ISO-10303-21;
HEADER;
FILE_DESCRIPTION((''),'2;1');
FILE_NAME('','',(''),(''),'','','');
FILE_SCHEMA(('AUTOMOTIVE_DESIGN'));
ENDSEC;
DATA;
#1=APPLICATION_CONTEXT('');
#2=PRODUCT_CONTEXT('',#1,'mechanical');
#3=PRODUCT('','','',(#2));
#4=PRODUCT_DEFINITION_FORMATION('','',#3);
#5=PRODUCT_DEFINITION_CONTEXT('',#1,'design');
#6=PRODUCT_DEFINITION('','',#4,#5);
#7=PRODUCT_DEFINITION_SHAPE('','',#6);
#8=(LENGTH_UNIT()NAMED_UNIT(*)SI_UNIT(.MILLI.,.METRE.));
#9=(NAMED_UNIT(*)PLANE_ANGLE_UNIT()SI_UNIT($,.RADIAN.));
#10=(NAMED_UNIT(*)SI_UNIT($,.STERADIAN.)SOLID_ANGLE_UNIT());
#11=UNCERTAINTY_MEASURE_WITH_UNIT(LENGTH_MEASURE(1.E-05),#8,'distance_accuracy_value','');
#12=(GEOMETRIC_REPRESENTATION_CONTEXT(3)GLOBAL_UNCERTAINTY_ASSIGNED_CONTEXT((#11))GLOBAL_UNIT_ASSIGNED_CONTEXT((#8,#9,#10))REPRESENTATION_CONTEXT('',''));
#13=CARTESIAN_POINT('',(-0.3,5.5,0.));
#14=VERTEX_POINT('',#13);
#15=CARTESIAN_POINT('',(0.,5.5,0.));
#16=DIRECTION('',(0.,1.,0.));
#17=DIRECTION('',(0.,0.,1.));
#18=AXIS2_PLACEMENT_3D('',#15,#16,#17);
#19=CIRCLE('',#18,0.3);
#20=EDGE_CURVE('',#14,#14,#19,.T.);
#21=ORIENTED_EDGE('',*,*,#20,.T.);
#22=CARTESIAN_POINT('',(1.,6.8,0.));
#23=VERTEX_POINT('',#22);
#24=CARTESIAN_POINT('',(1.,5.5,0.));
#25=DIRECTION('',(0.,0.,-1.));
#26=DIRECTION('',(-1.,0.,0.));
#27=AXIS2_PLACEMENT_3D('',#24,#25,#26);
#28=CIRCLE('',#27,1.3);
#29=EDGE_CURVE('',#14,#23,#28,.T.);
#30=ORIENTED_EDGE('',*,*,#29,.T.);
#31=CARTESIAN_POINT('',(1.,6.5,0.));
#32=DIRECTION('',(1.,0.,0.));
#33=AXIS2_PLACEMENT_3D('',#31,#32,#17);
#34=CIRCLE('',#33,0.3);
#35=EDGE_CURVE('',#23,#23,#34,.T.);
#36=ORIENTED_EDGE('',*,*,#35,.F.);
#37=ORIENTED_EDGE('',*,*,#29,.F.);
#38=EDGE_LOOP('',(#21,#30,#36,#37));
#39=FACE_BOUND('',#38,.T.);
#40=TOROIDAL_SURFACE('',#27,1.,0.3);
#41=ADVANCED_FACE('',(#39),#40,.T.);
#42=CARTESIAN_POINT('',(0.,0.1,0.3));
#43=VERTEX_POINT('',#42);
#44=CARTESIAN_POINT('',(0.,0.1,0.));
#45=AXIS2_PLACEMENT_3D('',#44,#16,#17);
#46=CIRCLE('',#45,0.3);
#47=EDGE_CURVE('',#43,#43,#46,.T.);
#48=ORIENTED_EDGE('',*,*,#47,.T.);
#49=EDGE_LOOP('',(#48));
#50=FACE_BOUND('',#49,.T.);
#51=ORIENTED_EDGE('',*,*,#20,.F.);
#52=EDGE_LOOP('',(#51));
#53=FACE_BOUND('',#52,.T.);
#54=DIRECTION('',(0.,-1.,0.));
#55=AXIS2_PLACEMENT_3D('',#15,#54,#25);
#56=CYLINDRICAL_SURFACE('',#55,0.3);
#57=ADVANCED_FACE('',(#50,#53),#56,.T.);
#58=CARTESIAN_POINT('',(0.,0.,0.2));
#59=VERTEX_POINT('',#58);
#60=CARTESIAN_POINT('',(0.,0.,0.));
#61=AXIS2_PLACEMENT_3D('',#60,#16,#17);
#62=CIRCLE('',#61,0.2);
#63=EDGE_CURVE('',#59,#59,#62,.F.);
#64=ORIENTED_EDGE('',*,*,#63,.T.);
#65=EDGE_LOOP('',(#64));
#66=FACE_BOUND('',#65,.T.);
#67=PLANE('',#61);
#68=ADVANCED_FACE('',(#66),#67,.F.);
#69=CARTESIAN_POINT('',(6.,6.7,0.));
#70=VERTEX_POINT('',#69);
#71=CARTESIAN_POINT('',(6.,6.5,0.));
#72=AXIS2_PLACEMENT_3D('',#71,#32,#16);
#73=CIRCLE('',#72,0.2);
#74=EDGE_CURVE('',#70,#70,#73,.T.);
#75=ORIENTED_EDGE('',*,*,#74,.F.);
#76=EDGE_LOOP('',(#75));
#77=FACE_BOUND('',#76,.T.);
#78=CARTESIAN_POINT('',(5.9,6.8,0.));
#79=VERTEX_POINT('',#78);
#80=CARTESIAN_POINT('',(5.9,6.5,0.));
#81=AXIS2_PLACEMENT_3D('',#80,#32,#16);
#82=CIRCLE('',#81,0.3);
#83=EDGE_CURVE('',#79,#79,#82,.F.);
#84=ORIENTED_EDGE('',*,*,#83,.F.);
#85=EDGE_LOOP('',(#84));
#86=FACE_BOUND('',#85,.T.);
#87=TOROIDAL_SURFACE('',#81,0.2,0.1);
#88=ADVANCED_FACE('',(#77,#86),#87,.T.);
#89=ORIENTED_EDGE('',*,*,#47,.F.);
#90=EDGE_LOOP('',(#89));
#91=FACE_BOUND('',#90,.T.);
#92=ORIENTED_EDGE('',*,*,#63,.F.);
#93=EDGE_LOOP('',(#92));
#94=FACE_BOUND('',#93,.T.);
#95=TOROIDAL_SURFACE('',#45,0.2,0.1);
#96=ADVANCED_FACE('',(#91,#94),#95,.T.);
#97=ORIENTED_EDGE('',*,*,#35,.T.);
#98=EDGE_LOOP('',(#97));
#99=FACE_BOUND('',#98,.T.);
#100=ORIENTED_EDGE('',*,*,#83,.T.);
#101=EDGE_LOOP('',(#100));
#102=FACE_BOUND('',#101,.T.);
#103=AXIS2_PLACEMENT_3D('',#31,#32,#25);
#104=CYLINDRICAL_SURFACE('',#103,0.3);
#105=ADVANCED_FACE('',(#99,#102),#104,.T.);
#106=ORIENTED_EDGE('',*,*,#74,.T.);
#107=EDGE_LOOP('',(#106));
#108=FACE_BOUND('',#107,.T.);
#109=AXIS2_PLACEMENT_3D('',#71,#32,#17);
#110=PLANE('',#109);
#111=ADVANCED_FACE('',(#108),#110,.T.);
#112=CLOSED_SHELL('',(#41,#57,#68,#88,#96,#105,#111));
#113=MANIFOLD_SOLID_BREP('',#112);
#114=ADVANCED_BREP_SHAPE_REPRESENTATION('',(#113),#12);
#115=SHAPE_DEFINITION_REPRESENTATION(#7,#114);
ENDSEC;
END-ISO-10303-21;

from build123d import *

# Parameters (mm, degrees)
SKETCH4_R = 0.3
FILLET1_R = 0.1


with BuildPart() as part:
    # Sweep1: sweep along a path in Sketch3
    with BuildLine(Plane.XY) as sweep1_path:
        Line((0, 0), (0, 5.5))
        ThreePointArc((0, 5.5), (0.292893219, 6.207106781), (1, 6.5))
        Line((1, 6.5), (6, 6.5))
    # Sketch4 → Sweep1 (sweep)
    with BuildSketch(Plane(origin=(0, 0, 0), x_dir=(1, 0, 0), z_dir=(0, 1, 0))):
        Circle(SKETCH4_R)
    sweep(path=sweep1_path.line)

    # Fillet1
    fillet1_edges = [part.edges().sort_by_distance(p)[0] for p in [
        (-0.3, 0, 0),
        (6, 6.8, 0),
    ]]
    fillet(fillet1_edges, radius=FILLET1_R)


solid = part.part
